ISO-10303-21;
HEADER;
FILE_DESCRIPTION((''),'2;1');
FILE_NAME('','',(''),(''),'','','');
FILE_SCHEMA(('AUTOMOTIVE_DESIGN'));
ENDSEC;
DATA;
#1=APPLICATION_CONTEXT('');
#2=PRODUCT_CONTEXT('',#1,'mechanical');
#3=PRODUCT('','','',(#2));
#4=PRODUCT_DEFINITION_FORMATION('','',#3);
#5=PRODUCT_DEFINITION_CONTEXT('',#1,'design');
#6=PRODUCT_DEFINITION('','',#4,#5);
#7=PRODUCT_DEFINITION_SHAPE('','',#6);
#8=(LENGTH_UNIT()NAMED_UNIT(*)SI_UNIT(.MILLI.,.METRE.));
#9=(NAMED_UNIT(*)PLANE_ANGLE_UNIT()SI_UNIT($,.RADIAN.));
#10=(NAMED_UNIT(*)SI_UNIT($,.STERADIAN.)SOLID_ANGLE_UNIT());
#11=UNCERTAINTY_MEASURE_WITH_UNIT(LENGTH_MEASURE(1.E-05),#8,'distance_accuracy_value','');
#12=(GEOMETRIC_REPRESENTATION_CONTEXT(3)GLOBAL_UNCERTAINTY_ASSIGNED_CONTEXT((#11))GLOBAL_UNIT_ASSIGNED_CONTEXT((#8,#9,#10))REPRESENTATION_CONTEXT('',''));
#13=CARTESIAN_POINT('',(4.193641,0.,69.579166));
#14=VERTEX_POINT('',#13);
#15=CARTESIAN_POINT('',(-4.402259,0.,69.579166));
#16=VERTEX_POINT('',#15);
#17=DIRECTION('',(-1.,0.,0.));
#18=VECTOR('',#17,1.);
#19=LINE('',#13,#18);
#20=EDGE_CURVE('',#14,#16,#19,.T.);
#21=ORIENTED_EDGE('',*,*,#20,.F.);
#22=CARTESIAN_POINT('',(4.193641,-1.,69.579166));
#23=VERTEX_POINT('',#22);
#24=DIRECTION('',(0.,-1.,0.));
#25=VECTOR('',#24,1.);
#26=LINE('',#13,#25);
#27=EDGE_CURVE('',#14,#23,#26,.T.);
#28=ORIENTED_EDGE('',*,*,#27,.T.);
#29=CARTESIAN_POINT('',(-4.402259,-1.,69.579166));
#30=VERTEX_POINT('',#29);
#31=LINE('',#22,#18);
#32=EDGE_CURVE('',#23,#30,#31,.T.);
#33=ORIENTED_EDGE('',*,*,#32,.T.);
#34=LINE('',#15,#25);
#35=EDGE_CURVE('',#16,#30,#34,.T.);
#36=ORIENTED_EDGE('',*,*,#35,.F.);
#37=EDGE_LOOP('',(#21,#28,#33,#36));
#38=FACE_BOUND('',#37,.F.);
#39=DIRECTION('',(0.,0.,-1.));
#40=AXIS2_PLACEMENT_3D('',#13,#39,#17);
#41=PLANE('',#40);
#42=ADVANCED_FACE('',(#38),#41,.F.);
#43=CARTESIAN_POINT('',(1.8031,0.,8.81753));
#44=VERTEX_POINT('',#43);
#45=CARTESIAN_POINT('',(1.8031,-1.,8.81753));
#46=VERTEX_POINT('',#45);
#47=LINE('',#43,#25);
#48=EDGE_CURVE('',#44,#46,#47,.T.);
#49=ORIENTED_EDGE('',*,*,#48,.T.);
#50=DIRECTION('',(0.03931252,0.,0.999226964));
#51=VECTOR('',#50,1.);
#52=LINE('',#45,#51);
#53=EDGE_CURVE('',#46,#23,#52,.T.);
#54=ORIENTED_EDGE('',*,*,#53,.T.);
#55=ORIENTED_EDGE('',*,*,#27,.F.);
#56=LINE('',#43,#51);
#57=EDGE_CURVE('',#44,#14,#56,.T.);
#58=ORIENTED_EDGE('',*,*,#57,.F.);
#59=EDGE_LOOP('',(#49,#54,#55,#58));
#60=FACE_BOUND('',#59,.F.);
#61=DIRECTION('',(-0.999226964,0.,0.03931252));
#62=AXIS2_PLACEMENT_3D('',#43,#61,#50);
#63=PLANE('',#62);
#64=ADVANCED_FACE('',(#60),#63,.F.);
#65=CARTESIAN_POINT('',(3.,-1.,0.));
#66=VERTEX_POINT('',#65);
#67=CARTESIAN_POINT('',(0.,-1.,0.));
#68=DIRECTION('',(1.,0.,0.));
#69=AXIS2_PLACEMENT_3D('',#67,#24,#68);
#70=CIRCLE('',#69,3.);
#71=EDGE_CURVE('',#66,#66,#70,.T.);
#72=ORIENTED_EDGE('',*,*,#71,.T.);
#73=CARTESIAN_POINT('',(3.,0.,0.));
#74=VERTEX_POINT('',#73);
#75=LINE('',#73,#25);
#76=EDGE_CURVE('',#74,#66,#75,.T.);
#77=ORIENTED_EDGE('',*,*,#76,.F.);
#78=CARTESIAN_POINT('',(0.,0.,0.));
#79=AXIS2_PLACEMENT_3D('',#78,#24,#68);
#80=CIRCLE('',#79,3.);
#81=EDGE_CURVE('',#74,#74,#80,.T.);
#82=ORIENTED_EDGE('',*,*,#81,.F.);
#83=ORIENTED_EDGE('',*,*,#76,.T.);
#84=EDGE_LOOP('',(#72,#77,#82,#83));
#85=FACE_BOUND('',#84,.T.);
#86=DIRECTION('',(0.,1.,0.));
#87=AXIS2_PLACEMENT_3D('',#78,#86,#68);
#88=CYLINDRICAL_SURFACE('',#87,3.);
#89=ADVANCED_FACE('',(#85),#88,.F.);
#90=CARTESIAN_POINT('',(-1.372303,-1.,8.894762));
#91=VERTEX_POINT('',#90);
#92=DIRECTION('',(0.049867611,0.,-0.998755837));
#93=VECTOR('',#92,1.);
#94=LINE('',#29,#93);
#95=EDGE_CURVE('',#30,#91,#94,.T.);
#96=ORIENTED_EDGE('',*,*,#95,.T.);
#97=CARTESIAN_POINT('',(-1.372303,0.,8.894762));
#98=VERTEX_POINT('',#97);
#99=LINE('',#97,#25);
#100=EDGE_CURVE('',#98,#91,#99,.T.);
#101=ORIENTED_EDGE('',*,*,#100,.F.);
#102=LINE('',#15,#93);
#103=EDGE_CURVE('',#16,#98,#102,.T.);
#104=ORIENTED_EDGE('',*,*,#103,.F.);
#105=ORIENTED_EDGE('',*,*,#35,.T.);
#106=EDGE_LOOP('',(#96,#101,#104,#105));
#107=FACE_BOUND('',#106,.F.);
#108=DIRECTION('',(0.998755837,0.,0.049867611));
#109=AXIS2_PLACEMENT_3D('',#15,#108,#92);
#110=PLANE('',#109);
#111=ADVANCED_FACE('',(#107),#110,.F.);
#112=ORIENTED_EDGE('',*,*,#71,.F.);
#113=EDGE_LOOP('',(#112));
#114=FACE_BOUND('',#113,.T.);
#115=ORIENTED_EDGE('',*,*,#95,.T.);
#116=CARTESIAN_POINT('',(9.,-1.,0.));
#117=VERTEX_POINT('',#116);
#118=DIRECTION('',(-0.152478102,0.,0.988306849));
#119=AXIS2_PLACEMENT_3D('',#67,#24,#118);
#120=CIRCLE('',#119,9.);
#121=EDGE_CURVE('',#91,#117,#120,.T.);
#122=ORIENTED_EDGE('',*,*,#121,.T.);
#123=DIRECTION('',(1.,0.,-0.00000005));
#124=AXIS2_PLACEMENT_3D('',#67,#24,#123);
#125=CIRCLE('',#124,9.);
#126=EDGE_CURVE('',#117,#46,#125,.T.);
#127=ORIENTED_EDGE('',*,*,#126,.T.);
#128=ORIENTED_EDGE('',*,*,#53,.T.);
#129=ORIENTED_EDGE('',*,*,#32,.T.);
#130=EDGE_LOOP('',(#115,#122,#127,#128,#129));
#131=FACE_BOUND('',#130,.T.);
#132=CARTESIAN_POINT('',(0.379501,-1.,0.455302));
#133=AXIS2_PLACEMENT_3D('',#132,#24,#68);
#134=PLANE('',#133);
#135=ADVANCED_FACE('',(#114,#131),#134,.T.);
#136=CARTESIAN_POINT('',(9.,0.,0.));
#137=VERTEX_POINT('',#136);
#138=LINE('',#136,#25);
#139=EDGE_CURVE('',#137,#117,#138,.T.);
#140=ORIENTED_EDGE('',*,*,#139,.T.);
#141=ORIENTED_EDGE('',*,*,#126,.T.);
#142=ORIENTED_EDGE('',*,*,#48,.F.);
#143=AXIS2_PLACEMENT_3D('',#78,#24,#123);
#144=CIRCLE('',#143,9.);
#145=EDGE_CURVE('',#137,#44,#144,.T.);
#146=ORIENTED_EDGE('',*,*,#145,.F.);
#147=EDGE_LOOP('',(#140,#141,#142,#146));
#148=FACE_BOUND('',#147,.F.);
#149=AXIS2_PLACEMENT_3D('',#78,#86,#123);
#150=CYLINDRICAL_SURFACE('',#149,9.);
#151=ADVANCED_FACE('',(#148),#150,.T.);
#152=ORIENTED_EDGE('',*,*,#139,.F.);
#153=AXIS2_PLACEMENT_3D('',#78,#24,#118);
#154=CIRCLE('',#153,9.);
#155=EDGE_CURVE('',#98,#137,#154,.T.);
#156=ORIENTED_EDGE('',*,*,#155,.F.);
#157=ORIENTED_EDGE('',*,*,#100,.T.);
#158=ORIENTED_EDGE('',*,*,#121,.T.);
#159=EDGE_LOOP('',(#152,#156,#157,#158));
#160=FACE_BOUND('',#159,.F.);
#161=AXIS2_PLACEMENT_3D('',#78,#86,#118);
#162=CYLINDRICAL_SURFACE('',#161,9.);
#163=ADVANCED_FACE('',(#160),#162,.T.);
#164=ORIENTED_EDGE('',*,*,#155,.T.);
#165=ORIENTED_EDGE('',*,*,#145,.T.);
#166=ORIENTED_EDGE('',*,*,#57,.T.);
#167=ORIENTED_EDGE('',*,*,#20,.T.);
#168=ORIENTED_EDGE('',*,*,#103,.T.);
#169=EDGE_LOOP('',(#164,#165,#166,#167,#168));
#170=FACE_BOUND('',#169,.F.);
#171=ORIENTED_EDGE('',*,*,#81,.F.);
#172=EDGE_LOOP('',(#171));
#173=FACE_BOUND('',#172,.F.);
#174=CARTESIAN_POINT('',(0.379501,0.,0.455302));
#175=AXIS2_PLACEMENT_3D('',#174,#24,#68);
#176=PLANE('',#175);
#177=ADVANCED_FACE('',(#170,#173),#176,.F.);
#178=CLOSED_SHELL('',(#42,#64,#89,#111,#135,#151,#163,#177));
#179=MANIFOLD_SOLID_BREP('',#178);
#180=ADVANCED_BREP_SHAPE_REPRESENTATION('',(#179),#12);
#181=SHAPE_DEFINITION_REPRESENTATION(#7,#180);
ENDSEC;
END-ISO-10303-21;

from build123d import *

# Parameters (mm, degrees)
F0_R     = 3
F1_DEPTH = 1


with BuildPart() as f1:
    # F0 (on Front) → F1 (new body)
    with BuildSketch(Plane.XZ):
        with BuildLine():
            ThreePointArc((-1.372303, 8.894762), (-5.858723, -6.831937), (9, 0))
            ThreePointArc((9, 0), (6.972371, 5.690874), (1.8031, 8.81753))
            ThreePointArc((1.8031, 8.81753), (0.218833, 8.997339), (-1.372303, 8.894762))
        make_face()
        Circle(F0_R, mode=Mode.SUBTRACT)
        with BuildLine():
            ThreePointArc((-1.372303, 8.894762), (0.218833, 8.997339), (1.8031, 8.81753))
            Line((1.8031, 8.81753), (4.193641, 69.579166))
            Line((4.193641, 69.579166), (-4.402259, 69.579166))
            Line((-4.402259, 69.579166), (-1.372303, 8.894762))
        make_face()
    extrude(amount=F1_DEPTH)


solid = f1.part
